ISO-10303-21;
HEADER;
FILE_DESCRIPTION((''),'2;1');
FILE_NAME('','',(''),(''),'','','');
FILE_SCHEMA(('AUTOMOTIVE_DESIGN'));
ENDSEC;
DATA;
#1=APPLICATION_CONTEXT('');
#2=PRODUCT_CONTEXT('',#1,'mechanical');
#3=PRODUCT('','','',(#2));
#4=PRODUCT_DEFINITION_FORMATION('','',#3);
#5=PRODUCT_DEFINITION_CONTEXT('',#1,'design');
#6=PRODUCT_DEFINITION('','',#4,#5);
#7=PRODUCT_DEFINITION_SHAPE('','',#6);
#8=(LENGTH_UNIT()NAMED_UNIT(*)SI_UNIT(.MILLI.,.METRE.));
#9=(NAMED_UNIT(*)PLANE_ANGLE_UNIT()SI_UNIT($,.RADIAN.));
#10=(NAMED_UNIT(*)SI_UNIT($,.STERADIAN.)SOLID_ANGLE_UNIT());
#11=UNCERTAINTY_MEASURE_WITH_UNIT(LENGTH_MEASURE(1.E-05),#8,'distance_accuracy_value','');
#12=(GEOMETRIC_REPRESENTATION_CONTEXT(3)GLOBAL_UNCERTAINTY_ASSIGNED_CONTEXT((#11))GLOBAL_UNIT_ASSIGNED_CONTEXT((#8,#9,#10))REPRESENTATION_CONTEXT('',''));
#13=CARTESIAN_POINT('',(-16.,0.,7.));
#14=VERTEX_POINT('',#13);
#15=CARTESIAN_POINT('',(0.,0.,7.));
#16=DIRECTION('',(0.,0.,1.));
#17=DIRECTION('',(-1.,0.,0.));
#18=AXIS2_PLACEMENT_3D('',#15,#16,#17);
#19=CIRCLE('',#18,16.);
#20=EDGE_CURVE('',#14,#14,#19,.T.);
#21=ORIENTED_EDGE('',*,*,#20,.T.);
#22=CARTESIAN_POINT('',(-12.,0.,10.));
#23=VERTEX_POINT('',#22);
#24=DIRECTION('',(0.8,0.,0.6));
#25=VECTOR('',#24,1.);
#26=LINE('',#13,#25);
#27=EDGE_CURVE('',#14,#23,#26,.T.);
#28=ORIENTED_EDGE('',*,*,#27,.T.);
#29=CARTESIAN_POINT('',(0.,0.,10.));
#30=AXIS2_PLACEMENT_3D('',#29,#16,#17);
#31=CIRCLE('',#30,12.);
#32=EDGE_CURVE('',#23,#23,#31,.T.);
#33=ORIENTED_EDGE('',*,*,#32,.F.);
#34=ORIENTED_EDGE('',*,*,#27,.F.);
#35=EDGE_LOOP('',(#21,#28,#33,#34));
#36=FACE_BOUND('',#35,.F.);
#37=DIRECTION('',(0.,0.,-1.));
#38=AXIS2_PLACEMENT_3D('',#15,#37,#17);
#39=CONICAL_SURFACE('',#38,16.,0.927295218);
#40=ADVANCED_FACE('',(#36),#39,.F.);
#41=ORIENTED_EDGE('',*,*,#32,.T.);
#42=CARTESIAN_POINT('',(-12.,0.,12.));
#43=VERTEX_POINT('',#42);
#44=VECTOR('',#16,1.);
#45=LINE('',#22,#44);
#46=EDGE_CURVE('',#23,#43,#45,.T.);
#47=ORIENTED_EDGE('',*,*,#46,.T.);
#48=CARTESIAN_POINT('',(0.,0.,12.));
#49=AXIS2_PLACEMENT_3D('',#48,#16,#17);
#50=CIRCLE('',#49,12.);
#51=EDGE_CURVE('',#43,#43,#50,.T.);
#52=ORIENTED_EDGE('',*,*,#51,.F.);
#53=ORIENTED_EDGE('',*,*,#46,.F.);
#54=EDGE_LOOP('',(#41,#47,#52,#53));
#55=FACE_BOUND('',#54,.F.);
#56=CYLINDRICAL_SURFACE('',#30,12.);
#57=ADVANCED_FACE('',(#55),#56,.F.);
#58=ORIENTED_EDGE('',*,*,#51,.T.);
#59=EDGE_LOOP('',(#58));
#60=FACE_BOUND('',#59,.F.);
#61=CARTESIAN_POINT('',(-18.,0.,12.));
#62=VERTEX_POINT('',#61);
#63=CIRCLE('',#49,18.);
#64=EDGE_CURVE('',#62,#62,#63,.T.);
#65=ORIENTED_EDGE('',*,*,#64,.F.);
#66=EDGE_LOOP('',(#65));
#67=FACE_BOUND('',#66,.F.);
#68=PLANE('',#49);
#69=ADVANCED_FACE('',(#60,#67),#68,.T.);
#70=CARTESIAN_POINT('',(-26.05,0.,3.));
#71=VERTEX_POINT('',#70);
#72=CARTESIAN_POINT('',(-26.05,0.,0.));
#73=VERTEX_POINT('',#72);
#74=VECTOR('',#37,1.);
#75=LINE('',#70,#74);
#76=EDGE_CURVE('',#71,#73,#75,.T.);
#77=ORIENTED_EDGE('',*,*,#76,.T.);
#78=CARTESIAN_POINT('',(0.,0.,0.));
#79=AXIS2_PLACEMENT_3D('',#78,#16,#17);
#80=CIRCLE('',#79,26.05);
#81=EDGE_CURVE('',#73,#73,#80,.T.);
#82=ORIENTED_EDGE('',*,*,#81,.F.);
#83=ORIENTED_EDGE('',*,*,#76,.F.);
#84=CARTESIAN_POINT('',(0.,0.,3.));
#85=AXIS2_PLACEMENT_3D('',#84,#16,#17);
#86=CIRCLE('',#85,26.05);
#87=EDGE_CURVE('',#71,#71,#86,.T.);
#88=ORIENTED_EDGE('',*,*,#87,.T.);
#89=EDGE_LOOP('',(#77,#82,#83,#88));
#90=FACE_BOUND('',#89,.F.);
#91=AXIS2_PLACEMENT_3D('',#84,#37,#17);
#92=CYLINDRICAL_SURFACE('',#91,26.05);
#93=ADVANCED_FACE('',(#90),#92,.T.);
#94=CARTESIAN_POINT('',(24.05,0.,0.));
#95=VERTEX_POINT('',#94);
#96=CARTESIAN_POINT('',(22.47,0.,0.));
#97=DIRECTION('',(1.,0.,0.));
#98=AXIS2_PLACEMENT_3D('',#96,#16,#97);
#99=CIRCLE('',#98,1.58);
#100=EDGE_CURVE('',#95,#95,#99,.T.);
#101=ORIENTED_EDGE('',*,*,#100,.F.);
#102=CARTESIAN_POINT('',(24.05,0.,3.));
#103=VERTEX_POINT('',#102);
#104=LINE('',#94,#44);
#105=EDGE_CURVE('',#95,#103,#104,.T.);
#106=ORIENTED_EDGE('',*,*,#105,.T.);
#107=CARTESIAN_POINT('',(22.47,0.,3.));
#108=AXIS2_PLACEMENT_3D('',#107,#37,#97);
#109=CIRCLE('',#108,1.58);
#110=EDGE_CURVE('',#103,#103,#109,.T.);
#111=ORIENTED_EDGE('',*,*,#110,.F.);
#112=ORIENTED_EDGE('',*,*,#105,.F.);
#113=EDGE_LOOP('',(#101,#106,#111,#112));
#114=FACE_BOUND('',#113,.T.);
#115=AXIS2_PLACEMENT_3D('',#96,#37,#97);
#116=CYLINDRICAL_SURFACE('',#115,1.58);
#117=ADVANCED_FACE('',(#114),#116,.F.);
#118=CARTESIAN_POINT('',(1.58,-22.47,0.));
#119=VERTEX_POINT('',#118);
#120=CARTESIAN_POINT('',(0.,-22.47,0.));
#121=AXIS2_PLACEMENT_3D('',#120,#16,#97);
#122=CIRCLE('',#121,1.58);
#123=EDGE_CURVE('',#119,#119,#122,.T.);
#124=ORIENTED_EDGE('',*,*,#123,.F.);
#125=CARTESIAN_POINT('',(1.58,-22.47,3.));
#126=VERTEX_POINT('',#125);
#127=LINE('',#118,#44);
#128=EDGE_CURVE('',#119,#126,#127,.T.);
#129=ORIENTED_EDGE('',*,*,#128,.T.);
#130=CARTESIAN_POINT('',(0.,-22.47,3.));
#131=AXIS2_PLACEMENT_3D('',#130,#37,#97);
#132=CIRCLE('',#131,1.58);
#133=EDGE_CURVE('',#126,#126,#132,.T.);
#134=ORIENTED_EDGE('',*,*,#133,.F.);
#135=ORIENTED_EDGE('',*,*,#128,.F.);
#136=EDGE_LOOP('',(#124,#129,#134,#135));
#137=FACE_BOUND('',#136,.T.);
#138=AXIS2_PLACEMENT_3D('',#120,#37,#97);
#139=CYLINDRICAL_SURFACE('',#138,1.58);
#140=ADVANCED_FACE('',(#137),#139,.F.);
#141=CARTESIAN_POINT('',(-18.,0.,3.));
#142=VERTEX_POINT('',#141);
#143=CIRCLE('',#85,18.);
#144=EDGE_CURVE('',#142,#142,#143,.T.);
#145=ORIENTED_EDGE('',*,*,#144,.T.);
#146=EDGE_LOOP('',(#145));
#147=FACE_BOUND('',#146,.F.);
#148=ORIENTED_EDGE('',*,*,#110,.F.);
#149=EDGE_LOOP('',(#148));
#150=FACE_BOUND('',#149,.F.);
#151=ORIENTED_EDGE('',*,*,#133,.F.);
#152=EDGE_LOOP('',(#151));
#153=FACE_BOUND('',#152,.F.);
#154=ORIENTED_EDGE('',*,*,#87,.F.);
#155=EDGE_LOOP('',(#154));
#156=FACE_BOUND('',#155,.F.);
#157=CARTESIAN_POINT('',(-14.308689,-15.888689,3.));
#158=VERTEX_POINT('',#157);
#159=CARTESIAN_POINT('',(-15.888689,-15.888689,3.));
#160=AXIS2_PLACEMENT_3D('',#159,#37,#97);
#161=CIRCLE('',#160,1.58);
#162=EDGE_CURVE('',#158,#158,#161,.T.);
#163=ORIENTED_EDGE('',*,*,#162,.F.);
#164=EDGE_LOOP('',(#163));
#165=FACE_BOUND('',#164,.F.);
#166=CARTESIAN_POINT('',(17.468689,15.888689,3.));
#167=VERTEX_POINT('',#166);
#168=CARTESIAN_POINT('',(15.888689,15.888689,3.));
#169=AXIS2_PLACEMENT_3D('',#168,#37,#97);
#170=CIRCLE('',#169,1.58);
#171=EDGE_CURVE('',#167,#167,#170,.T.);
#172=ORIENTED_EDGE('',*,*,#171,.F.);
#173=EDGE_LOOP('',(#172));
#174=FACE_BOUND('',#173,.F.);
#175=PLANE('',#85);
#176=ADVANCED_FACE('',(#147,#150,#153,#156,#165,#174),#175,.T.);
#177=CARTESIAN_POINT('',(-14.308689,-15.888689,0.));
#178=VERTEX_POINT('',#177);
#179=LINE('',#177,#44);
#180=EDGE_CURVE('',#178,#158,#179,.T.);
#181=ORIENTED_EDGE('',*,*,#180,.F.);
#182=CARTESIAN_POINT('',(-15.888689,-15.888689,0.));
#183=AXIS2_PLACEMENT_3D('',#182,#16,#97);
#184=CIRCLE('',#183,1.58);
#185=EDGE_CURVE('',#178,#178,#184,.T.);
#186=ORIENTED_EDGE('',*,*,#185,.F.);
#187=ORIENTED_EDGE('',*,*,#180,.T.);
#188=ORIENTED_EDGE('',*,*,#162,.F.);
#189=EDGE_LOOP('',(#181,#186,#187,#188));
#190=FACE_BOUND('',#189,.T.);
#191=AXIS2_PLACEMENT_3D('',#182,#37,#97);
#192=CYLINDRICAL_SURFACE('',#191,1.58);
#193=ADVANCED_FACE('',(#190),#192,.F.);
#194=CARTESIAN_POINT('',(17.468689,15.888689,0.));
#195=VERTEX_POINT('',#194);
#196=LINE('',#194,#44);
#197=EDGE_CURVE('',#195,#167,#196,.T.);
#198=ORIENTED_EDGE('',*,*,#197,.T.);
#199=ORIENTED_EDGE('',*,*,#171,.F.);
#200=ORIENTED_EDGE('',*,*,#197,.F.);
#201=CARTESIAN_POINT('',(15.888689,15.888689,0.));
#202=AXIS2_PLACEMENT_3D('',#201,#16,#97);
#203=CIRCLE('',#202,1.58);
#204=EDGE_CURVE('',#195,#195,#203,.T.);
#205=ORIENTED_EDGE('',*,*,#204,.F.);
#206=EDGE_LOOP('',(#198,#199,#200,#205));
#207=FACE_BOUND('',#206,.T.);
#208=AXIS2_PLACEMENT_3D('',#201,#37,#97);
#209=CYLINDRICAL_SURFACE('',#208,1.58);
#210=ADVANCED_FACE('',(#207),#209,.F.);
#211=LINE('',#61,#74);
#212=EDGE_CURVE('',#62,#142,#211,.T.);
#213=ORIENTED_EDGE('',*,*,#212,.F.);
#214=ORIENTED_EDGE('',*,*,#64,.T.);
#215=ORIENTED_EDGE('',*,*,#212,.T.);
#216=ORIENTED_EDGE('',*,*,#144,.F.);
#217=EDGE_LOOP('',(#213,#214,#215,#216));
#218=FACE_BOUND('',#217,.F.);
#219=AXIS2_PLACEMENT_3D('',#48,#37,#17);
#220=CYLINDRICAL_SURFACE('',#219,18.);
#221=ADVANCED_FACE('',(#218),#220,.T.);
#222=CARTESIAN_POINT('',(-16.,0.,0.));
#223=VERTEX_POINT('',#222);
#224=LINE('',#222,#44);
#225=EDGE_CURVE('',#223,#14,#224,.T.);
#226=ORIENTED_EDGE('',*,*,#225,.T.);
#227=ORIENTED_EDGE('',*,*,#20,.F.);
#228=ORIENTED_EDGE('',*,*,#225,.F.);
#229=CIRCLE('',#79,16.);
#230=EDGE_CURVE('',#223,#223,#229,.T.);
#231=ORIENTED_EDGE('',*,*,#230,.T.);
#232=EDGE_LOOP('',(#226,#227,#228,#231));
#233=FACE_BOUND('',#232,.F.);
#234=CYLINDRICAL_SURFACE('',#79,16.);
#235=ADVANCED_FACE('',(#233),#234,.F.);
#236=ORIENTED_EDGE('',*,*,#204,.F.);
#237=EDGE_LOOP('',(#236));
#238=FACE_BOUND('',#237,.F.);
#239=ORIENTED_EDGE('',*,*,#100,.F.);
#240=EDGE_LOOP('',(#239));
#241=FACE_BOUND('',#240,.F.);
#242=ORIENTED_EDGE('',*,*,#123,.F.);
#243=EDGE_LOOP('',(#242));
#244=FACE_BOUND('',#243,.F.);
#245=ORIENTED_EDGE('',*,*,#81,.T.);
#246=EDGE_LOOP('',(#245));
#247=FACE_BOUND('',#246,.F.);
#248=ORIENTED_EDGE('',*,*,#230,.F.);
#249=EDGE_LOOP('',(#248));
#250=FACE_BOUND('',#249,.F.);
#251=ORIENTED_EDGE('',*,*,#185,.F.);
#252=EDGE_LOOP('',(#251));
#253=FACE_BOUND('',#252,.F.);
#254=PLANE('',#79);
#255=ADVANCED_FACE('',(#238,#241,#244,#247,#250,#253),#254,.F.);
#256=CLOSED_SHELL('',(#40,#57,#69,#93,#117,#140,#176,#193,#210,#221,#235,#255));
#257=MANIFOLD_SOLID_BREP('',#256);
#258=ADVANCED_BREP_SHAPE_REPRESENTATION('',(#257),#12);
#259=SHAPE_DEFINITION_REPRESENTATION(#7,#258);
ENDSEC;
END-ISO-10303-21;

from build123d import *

# Parameters (mm, degrees)
SKETCH001_R       = 1.58
POCKET_DEPTH      = 0.001
POCKET_DEPTH_BACK = -12.001


with BuildPart() as part:
    # Sketch → Revolution (revolve)
    with BuildSketch(Plane.XZ):
        Polygon((-16, 7), (-12, 10), (-12, 12), (-18, 12), (-18, 3), (-26.05, 3), (-26.05, 0), (-16, 0), align=None)
    revolve(axis=Axis((0, 0, 0), (0, 0, 1)))

    # Sketch001 → Pocket (cut, two sides)
    with BuildSketch(Plane.XY) as pocket_sk:
        with Locations((22.47, 0)):
            Circle(SKETCH001_R)
        with Locations((0, -22.47)):
            Circle(SKETCH001_R)
        with Locations((-15.888689, -15.888689)):
            Circle(SKETCH001_R)
        with Locations((15.888689, 15.888689)):
            Circle(SKETCH001_R)
    extrude(amount=-POCKET_DEPTH, mode=Mode.SUBTRACT)
    extrude(pocket_sk.sketch, amount=-POCKET_DEPTH_BACK, mode=Mode.SUBTRACT)


solid = part.part
